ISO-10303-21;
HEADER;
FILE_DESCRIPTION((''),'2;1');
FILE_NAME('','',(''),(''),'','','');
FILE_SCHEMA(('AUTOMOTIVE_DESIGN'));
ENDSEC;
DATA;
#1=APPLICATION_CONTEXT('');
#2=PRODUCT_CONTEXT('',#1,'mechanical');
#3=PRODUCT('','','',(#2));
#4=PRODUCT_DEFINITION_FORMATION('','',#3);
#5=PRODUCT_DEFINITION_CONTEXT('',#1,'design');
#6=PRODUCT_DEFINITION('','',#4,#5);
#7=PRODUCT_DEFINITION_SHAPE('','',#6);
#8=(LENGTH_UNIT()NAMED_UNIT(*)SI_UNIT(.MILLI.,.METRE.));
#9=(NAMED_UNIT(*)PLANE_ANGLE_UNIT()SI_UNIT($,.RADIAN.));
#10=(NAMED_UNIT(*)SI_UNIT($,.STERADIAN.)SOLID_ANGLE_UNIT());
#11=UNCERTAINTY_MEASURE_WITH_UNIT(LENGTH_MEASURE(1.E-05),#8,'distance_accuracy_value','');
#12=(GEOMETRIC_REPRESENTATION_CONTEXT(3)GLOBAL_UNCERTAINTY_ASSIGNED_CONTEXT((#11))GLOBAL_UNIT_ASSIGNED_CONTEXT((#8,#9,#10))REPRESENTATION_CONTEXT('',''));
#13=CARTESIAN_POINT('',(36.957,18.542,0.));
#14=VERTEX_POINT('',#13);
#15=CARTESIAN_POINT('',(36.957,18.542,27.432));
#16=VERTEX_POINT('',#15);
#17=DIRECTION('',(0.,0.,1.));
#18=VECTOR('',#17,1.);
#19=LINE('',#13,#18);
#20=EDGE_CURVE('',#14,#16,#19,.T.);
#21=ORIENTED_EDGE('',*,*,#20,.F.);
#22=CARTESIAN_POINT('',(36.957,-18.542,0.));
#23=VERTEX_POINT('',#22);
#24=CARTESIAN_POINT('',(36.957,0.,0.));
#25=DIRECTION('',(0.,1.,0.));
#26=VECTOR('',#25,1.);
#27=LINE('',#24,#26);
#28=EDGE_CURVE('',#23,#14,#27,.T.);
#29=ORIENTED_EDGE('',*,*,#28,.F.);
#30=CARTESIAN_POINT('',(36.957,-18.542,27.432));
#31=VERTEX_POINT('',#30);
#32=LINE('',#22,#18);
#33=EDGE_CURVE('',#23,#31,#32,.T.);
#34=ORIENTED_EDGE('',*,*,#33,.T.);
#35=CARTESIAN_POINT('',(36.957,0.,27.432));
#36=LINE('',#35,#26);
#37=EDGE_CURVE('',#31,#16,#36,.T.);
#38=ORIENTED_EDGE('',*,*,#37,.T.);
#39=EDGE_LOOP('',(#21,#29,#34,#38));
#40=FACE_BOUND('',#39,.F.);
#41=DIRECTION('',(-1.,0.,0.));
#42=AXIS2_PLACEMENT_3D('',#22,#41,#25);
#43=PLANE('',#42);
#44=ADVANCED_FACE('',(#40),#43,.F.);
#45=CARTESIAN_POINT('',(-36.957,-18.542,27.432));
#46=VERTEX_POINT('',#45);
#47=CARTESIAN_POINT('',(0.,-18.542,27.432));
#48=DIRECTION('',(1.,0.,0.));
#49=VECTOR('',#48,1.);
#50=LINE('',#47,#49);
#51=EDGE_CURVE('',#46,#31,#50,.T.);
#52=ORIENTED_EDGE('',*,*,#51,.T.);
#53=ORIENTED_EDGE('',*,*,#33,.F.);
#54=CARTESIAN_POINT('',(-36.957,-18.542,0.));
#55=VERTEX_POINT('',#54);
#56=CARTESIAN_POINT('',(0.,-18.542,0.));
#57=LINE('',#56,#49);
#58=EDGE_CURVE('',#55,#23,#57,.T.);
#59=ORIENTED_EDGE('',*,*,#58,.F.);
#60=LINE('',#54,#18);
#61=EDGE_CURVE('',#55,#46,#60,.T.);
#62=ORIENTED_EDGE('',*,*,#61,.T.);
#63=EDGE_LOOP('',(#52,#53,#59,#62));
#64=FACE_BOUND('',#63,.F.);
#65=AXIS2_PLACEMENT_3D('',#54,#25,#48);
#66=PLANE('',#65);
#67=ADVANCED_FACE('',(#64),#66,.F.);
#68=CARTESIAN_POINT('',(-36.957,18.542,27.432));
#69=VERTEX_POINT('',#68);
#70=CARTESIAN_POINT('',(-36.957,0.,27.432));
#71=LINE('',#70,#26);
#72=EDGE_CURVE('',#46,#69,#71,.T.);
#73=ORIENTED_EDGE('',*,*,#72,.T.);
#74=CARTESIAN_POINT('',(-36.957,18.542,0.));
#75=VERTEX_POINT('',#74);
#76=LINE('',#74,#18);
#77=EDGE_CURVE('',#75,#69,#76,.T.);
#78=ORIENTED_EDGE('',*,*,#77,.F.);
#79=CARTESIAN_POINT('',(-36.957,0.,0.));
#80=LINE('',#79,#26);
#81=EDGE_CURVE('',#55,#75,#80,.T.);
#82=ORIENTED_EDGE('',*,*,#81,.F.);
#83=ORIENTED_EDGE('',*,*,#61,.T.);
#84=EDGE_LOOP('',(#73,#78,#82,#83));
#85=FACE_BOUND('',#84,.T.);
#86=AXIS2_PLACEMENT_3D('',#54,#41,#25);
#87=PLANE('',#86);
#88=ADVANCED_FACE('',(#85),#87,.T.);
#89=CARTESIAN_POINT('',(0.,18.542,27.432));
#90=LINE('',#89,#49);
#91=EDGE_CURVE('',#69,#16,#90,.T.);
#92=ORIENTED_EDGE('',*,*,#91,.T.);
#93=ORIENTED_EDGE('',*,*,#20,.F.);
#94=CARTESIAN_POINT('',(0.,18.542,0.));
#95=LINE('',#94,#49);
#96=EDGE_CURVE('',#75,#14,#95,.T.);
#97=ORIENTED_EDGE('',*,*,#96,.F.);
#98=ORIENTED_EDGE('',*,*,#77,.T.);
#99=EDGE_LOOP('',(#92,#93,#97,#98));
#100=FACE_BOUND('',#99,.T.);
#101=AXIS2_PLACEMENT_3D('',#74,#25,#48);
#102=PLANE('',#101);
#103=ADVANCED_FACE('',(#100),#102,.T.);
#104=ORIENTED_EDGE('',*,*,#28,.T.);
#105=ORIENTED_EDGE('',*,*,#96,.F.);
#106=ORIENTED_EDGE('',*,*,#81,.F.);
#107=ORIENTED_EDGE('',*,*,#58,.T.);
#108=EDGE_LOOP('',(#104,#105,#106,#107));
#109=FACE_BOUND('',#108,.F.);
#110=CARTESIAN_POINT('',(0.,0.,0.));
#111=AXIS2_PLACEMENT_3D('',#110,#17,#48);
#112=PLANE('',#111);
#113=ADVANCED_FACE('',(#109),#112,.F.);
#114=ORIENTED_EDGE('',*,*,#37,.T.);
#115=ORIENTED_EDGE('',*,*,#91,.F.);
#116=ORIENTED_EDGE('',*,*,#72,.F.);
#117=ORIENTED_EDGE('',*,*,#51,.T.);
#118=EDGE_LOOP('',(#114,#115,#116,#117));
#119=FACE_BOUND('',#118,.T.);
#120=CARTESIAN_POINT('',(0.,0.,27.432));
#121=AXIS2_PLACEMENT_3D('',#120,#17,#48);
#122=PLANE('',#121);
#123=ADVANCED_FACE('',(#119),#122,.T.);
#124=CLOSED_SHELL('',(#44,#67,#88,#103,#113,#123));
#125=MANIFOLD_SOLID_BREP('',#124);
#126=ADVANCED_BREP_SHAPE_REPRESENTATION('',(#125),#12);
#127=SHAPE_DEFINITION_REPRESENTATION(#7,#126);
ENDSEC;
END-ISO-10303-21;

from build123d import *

# Parameters (mm, degrees)
SKETCH_W  = 73.914
SKETCH_H  = 37.084
PAD_DEPTH = 27.432


with BuildPart() as part:
    # Sketch → Pad (new body)
    with BuildSketch(Plane.XY):
        Rectangle(SKETCH_W, SKETCH_H)
    extrude(amount=PAD_DEPTH)


solid = part.part
